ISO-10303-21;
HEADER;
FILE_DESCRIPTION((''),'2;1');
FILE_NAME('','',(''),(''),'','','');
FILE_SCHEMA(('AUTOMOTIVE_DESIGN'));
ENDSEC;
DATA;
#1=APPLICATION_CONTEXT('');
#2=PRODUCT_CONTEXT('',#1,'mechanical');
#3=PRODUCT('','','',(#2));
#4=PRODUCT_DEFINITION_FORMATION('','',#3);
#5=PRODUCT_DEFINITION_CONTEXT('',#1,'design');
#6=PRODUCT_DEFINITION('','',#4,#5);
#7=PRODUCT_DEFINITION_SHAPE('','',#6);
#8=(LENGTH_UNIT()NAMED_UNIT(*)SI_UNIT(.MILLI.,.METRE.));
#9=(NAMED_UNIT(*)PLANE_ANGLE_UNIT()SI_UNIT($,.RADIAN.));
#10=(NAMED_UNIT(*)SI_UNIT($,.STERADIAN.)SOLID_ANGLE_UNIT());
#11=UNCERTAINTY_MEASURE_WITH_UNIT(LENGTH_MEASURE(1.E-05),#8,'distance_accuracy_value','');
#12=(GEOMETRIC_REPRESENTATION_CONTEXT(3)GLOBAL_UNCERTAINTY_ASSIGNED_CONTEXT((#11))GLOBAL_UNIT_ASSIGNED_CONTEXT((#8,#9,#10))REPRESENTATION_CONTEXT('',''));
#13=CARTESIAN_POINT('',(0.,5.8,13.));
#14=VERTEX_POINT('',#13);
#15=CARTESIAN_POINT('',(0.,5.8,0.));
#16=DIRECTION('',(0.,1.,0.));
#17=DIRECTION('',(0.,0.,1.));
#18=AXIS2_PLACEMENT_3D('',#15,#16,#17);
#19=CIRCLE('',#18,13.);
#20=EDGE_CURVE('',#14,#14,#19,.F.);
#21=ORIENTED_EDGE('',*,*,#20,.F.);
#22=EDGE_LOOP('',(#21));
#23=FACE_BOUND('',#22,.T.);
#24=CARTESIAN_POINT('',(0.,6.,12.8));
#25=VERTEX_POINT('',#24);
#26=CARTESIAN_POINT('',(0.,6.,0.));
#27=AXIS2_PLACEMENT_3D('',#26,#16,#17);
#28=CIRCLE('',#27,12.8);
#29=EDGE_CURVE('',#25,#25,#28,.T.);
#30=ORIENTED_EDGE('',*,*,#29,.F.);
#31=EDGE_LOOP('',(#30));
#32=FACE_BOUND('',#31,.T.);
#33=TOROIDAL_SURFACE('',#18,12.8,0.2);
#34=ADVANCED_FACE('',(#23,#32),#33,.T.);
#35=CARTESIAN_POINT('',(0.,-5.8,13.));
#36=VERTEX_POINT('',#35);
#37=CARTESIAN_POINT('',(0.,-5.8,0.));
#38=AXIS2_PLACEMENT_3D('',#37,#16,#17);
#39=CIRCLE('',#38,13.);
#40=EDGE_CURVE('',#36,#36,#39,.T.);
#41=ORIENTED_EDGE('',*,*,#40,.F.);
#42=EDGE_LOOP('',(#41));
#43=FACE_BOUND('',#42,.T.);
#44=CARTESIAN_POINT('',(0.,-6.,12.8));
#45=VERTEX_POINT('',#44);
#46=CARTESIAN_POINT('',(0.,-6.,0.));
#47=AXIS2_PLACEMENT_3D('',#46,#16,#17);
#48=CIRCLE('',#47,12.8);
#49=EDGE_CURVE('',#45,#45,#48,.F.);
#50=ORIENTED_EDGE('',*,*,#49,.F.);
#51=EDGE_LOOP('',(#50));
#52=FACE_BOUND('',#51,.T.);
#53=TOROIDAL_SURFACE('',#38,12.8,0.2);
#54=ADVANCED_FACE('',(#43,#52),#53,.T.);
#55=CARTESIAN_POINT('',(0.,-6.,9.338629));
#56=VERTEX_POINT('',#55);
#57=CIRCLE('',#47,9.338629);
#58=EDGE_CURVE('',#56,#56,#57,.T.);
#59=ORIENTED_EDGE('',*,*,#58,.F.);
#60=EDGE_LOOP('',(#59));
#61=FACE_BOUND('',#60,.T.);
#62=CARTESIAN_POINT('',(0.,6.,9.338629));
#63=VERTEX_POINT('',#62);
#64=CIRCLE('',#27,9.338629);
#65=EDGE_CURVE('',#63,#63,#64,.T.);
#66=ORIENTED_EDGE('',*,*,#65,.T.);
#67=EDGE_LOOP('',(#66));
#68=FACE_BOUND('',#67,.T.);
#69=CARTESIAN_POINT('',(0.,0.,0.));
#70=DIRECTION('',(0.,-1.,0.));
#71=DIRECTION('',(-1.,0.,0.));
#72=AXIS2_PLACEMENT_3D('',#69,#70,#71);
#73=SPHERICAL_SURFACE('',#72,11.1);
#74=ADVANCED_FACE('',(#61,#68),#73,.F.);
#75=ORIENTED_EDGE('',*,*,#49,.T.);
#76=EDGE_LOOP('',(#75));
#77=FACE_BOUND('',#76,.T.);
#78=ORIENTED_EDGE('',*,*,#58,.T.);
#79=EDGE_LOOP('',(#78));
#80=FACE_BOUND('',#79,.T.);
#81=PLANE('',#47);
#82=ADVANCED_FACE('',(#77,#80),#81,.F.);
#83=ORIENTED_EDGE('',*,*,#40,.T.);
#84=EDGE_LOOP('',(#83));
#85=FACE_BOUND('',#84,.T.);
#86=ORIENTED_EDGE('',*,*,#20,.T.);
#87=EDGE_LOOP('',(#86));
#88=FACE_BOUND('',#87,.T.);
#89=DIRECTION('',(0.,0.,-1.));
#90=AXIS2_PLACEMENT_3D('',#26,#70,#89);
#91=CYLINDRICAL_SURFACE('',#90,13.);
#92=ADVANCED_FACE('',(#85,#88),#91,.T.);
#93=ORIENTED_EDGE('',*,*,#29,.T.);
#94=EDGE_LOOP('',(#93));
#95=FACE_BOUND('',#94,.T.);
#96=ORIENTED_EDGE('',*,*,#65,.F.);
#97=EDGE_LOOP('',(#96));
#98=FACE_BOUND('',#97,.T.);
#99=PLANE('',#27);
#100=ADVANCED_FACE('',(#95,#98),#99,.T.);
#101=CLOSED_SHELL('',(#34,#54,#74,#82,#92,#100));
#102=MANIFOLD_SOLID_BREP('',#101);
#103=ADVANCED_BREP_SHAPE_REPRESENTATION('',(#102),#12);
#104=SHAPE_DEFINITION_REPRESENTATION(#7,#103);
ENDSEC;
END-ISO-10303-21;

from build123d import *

# Parameters (mm, degrees)
SZKIC1_R                    = 13
DODANIE_WYCI_GNI_CIE1_DEPTH = 6
ZAOKR_GLENIE1_R             = 0.2


with BuildPart() as part:
    # Szkic1 → Dodanie-wyciągnięcie1 (new body, symmetric)
    with BuildSketch(Plane(origin=(0, 0, 0), x_dir=(1, 0, 0), z_dir=(0, 1, 0))):
        Circle(SZKIC1_R)
    extrude(amount=DODANIE_WYCI_GNI_CIE1_DEPTH, both=True)

    # Szkic3 → Wycięcie-obrót1 (revolve, cut)
    with BuildSketch(Plane.XY):
        with BuildLine():
            Line((0, -11.1), (0, 11.1))
            ThreePointArc((0, 11.1), (11.1, 0), (0, -11.1))
        make_face()
    revolve(axis=Axis((0, -11.1, 0), (0, 1, 0)), mode=Mode.SUBTRACT)

    # Zaokrąglenie1
    zaokr_glenie1_edges = [part.edges().sort_by_distance(p)[0] for p in [
        (-13, -6, 0),
        (-13, 6, 0),
    ]]
    fillet(zaokr_glenie1_edges, radius=ZAOKR_GLENIE1_R)


solid = part.part
